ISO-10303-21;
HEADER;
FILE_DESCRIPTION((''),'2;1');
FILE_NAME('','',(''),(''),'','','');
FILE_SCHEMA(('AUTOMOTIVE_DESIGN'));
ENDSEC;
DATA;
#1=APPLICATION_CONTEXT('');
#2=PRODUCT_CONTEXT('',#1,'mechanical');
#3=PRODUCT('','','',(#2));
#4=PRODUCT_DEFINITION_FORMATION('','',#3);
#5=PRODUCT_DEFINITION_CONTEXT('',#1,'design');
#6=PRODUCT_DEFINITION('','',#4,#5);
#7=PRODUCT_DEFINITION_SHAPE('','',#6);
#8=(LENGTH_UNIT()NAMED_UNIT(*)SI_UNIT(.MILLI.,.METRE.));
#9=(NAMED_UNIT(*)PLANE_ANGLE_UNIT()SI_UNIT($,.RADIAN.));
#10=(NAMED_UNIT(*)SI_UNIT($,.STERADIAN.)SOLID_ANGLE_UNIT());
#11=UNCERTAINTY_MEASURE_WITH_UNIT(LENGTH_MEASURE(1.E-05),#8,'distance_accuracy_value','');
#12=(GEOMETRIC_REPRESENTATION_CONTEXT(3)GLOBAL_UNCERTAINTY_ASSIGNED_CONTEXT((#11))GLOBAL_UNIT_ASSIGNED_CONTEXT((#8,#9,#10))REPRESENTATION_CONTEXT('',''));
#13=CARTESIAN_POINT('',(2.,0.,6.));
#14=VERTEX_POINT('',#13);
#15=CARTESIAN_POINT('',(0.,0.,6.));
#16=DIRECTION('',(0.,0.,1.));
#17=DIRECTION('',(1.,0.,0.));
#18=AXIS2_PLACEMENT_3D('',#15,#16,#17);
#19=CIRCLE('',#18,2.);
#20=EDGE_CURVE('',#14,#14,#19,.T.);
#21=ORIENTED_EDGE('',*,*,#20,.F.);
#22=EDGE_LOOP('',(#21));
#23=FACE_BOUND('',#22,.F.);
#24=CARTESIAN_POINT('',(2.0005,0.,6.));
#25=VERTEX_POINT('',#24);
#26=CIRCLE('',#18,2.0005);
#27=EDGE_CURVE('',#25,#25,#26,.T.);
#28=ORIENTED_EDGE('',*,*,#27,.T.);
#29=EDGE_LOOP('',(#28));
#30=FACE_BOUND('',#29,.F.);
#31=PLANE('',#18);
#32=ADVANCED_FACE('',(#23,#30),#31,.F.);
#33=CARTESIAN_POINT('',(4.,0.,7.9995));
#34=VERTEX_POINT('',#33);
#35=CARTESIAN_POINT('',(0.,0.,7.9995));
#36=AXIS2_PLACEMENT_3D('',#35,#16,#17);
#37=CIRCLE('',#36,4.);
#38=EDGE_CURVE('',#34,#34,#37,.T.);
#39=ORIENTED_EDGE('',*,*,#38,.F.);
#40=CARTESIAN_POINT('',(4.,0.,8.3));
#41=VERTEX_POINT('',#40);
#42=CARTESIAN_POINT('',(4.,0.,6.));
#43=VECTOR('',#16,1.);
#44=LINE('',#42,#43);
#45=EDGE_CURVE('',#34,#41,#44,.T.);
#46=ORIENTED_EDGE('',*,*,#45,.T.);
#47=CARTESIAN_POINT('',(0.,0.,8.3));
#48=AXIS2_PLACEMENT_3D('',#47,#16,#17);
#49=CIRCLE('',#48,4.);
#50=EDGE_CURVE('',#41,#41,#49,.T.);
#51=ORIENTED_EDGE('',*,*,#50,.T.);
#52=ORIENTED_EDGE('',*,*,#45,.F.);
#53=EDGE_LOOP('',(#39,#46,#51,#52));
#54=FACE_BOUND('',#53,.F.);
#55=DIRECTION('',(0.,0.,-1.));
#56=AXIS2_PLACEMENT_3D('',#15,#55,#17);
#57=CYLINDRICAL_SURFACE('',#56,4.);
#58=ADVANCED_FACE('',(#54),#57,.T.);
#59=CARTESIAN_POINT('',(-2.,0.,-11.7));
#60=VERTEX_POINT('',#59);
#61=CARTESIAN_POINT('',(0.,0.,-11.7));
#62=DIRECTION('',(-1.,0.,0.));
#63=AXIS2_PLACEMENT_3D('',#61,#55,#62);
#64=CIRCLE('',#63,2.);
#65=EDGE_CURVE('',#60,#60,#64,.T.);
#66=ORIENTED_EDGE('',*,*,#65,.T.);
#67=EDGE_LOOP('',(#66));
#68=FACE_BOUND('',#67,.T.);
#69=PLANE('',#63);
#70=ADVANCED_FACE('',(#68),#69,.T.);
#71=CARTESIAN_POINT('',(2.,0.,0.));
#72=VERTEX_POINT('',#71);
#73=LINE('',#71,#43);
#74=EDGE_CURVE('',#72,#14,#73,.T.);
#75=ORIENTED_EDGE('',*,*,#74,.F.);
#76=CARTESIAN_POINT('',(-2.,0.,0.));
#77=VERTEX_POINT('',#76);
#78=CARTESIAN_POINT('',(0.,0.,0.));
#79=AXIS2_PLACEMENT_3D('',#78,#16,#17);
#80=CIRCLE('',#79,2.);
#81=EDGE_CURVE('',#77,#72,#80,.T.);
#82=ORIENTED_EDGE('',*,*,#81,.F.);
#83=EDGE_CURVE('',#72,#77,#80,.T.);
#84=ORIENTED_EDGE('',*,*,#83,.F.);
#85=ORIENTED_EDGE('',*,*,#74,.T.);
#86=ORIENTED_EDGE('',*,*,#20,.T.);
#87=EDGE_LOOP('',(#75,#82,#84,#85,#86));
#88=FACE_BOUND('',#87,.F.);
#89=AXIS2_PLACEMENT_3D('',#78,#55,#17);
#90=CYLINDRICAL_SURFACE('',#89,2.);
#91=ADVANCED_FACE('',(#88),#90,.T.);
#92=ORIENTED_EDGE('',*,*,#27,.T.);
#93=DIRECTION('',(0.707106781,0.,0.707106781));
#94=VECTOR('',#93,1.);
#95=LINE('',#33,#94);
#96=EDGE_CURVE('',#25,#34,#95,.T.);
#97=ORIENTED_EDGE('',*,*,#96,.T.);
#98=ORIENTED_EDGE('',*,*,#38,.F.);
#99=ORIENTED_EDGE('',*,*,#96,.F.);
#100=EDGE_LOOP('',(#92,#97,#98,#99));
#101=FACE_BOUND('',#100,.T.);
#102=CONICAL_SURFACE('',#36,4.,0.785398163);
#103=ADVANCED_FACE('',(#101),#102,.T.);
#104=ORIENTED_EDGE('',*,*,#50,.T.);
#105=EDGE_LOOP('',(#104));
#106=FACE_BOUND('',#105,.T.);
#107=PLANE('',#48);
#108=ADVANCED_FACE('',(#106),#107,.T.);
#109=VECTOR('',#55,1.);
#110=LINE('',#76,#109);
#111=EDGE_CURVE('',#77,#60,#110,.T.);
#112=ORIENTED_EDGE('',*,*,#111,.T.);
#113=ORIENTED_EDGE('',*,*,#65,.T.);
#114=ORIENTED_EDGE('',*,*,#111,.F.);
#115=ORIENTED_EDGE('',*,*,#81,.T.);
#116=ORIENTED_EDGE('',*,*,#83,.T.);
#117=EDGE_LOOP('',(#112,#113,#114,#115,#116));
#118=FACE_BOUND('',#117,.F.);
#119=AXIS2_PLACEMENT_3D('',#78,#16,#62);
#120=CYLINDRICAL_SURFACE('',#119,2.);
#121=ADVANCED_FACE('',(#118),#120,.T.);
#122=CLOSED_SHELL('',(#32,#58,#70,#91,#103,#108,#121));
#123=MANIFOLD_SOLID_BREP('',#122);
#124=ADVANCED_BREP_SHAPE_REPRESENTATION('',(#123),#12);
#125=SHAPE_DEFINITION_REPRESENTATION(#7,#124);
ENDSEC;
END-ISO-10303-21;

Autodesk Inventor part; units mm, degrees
ref_plane "YZ Plane" through (0, 0, 0) normal (1, 0, 0) x (0, 1, 0)
ref_plane "XZ Plane" through (0, 0, 0) normal (0, 1, 0) x (-1, 0, 0)
ref_plane "XY Plane" through (0, 0, 0) normal (0, 0, 1) x (1, 0, 0)
sketch "スケッチ1" plane through (0, 0, 0) normal (0, 0, 1) x (1, 0, 0)
  circle A0 centre (0, 0) radius 2
  dimension "d0" = 4
extrude "押し出し1" add sketch "スケッチ1" along normal blind 6
sketch "スケッチ2" plane through (0, 0, 6) normal (0, 0, 1) x (1, 0, 0)
  circle A0 centre (0, 0) radius 2 projected
  circle A1 centre (0, 0) radius 4
  dimension "d3" = 8
extrude "押し出し2" add sketch "スケッチ2" along normal blind 2.3 contours A0 | A1
thread "ねじ1" size "M4x0.7" class "6g" standard "ANSI Metric M Profile" full length
chamfer "面取り1" distance 2 angle 45 1 edges at (-4, 0, 6)
sketch "スケッチ4" plane through (0, 0, 0) normal (0, 0, -1) x (-1, 0, 0)
  circle A0 centre (0, 0) radius 2
extrude "押し出し4" add sketch "スケッチ4" along normal blind 11.7
properties part number "SB　M4 20mm 皿ネジ" material "Stainless Steel, 440C"
